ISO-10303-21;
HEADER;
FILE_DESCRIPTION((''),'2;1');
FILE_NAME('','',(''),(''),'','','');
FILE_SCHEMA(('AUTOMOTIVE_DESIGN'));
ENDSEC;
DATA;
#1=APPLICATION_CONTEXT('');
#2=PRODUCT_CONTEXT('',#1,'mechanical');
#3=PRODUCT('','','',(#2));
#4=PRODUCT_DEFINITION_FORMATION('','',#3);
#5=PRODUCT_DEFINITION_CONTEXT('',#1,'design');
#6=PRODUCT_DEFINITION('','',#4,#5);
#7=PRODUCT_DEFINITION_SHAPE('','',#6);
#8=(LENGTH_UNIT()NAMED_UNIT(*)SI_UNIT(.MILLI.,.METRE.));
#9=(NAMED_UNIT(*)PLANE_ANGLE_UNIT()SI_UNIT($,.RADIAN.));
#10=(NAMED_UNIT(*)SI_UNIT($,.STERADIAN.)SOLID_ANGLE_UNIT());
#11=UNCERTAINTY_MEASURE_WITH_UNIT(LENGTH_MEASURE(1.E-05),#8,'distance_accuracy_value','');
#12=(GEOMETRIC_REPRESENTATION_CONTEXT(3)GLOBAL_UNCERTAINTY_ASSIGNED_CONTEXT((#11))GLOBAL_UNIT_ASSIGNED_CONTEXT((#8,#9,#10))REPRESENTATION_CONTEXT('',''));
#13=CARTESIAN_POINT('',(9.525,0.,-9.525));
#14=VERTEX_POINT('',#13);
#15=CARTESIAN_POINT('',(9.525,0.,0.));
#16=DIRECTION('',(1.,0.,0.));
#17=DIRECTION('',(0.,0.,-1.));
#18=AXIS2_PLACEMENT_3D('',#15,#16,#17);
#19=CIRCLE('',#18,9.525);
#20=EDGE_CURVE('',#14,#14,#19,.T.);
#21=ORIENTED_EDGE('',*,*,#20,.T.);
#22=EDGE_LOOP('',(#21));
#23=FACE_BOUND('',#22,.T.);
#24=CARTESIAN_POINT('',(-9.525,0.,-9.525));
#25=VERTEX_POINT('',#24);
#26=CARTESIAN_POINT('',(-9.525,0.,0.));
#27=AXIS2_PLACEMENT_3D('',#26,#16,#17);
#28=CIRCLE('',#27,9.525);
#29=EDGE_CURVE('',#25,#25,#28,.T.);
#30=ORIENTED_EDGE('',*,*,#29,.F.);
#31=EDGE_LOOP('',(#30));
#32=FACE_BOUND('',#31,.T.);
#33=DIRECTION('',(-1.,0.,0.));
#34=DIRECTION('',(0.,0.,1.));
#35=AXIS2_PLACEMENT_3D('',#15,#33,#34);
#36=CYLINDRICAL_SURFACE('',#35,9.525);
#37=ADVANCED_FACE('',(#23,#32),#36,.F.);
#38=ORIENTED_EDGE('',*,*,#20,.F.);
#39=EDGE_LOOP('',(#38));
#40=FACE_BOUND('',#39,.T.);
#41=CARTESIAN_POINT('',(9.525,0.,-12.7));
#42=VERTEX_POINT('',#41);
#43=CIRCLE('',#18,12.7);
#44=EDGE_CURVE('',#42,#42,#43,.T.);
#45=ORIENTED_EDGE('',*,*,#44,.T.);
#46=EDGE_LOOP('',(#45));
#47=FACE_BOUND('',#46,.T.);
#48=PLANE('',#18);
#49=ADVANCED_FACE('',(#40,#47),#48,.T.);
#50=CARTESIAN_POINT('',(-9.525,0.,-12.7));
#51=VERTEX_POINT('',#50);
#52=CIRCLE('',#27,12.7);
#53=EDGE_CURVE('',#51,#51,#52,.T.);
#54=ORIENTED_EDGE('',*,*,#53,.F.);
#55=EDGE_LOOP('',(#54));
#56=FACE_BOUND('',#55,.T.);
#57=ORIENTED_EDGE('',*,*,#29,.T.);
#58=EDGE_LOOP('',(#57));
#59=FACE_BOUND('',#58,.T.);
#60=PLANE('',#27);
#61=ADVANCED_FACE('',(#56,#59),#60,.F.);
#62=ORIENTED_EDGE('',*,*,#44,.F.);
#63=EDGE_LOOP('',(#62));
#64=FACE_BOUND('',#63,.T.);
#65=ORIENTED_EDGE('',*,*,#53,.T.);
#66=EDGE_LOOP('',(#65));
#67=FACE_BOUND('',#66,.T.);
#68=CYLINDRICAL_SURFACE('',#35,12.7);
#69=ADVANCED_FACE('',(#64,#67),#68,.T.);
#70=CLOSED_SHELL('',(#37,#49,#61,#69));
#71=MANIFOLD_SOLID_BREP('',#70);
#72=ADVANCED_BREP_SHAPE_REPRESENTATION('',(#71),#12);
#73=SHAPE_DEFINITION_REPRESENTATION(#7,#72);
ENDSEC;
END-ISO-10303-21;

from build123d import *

# Parameters (mm, degrees)
SKETCH1_R           = 12.7
SKETCH1_R_2         = 9.525
BOSS_EXTRUDE1_DEPTH = 9.525


with BuildPart() as part:
    # Sketch1 → Boss-Extrude1 (new body, symmetric)
    with BuildSketch(Plane(origin=(0, 0, 0), x_dir=(0, 0, -1), z_dir=(1, 0, 0))):
        Circle(SKETCH1_R)
        Circle(SKETCH1_R_2, mode=Mode.SUBTRACT)
    extrude(amount=BOSS_EXTRUDE1_DEPTH, both=True)


solid = part.part
